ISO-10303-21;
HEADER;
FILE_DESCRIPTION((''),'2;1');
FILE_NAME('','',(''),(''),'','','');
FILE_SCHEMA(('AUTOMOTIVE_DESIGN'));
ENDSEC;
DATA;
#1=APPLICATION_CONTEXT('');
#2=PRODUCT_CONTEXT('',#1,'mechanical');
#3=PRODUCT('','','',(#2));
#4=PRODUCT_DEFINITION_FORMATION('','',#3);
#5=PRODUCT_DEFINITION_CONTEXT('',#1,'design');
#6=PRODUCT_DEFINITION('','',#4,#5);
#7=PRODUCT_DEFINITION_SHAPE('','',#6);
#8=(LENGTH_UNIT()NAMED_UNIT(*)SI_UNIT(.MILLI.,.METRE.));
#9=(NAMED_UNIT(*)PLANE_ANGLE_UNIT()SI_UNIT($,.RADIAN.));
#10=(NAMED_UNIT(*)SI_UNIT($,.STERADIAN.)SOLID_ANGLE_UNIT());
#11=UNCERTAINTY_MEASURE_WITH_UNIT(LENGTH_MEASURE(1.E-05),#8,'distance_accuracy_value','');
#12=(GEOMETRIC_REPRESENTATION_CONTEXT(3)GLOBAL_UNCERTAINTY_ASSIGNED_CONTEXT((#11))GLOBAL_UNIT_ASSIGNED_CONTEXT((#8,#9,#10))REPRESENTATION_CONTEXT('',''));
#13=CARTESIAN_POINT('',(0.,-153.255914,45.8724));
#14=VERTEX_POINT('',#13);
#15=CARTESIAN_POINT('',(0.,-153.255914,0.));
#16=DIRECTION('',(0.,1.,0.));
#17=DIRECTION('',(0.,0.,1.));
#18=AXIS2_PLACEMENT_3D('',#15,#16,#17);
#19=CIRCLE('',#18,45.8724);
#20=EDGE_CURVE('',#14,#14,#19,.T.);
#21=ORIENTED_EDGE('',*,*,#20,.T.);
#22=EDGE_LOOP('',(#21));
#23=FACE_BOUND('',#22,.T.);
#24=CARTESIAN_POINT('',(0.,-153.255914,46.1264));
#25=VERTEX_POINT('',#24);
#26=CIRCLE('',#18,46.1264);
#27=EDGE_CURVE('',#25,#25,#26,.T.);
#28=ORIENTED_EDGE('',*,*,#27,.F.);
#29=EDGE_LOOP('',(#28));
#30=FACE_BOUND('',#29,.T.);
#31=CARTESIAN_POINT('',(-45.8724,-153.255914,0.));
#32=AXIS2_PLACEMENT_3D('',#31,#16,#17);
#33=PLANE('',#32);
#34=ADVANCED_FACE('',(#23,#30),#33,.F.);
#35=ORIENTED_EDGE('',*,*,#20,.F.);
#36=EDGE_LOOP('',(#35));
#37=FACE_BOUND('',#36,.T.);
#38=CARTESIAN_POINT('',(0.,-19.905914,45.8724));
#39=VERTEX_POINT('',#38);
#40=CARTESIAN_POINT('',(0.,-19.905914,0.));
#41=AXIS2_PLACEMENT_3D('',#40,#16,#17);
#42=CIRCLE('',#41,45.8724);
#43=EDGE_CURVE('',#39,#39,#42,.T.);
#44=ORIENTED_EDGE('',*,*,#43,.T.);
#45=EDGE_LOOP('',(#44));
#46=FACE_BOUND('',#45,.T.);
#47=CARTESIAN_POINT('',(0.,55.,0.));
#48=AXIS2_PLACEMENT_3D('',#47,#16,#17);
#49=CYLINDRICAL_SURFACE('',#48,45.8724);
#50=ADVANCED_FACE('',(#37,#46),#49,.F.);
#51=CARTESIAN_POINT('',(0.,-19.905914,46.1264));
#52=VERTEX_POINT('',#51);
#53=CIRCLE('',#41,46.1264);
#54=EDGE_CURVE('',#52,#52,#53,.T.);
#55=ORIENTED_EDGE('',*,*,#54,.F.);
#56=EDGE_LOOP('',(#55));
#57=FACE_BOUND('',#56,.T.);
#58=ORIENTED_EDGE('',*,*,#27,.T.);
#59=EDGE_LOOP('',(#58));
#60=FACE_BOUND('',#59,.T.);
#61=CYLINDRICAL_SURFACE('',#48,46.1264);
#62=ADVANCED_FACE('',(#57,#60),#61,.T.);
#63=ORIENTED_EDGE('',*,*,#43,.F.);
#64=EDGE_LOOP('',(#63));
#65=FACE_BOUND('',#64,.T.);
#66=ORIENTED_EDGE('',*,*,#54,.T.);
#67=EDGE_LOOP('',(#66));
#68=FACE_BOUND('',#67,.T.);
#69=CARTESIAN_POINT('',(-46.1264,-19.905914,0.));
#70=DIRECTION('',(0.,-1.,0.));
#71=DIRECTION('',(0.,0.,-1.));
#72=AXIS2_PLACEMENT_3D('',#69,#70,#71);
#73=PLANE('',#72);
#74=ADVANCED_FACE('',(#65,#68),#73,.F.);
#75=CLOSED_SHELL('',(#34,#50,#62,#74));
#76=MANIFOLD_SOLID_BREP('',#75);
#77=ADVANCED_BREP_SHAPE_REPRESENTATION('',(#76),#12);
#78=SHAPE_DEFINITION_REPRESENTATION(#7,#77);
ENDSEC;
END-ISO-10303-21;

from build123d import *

# Parameters (mm, degrees)
SKETCH1_W = 0.254
SKETCH1_H = 133.35


with BuildPart() as part:
    # Sketch1 → Revolve-Thin1 (revolve)
    with BuildSketch(Plane.XY):
        with Locations((-45.9994, -86.580914232)):
            Rectangle(SKETCH1_W, SKETCH1_H)
    revolve(axis=Axis((0, 55, 0), (0, -1, 0)))


solid = part.part
